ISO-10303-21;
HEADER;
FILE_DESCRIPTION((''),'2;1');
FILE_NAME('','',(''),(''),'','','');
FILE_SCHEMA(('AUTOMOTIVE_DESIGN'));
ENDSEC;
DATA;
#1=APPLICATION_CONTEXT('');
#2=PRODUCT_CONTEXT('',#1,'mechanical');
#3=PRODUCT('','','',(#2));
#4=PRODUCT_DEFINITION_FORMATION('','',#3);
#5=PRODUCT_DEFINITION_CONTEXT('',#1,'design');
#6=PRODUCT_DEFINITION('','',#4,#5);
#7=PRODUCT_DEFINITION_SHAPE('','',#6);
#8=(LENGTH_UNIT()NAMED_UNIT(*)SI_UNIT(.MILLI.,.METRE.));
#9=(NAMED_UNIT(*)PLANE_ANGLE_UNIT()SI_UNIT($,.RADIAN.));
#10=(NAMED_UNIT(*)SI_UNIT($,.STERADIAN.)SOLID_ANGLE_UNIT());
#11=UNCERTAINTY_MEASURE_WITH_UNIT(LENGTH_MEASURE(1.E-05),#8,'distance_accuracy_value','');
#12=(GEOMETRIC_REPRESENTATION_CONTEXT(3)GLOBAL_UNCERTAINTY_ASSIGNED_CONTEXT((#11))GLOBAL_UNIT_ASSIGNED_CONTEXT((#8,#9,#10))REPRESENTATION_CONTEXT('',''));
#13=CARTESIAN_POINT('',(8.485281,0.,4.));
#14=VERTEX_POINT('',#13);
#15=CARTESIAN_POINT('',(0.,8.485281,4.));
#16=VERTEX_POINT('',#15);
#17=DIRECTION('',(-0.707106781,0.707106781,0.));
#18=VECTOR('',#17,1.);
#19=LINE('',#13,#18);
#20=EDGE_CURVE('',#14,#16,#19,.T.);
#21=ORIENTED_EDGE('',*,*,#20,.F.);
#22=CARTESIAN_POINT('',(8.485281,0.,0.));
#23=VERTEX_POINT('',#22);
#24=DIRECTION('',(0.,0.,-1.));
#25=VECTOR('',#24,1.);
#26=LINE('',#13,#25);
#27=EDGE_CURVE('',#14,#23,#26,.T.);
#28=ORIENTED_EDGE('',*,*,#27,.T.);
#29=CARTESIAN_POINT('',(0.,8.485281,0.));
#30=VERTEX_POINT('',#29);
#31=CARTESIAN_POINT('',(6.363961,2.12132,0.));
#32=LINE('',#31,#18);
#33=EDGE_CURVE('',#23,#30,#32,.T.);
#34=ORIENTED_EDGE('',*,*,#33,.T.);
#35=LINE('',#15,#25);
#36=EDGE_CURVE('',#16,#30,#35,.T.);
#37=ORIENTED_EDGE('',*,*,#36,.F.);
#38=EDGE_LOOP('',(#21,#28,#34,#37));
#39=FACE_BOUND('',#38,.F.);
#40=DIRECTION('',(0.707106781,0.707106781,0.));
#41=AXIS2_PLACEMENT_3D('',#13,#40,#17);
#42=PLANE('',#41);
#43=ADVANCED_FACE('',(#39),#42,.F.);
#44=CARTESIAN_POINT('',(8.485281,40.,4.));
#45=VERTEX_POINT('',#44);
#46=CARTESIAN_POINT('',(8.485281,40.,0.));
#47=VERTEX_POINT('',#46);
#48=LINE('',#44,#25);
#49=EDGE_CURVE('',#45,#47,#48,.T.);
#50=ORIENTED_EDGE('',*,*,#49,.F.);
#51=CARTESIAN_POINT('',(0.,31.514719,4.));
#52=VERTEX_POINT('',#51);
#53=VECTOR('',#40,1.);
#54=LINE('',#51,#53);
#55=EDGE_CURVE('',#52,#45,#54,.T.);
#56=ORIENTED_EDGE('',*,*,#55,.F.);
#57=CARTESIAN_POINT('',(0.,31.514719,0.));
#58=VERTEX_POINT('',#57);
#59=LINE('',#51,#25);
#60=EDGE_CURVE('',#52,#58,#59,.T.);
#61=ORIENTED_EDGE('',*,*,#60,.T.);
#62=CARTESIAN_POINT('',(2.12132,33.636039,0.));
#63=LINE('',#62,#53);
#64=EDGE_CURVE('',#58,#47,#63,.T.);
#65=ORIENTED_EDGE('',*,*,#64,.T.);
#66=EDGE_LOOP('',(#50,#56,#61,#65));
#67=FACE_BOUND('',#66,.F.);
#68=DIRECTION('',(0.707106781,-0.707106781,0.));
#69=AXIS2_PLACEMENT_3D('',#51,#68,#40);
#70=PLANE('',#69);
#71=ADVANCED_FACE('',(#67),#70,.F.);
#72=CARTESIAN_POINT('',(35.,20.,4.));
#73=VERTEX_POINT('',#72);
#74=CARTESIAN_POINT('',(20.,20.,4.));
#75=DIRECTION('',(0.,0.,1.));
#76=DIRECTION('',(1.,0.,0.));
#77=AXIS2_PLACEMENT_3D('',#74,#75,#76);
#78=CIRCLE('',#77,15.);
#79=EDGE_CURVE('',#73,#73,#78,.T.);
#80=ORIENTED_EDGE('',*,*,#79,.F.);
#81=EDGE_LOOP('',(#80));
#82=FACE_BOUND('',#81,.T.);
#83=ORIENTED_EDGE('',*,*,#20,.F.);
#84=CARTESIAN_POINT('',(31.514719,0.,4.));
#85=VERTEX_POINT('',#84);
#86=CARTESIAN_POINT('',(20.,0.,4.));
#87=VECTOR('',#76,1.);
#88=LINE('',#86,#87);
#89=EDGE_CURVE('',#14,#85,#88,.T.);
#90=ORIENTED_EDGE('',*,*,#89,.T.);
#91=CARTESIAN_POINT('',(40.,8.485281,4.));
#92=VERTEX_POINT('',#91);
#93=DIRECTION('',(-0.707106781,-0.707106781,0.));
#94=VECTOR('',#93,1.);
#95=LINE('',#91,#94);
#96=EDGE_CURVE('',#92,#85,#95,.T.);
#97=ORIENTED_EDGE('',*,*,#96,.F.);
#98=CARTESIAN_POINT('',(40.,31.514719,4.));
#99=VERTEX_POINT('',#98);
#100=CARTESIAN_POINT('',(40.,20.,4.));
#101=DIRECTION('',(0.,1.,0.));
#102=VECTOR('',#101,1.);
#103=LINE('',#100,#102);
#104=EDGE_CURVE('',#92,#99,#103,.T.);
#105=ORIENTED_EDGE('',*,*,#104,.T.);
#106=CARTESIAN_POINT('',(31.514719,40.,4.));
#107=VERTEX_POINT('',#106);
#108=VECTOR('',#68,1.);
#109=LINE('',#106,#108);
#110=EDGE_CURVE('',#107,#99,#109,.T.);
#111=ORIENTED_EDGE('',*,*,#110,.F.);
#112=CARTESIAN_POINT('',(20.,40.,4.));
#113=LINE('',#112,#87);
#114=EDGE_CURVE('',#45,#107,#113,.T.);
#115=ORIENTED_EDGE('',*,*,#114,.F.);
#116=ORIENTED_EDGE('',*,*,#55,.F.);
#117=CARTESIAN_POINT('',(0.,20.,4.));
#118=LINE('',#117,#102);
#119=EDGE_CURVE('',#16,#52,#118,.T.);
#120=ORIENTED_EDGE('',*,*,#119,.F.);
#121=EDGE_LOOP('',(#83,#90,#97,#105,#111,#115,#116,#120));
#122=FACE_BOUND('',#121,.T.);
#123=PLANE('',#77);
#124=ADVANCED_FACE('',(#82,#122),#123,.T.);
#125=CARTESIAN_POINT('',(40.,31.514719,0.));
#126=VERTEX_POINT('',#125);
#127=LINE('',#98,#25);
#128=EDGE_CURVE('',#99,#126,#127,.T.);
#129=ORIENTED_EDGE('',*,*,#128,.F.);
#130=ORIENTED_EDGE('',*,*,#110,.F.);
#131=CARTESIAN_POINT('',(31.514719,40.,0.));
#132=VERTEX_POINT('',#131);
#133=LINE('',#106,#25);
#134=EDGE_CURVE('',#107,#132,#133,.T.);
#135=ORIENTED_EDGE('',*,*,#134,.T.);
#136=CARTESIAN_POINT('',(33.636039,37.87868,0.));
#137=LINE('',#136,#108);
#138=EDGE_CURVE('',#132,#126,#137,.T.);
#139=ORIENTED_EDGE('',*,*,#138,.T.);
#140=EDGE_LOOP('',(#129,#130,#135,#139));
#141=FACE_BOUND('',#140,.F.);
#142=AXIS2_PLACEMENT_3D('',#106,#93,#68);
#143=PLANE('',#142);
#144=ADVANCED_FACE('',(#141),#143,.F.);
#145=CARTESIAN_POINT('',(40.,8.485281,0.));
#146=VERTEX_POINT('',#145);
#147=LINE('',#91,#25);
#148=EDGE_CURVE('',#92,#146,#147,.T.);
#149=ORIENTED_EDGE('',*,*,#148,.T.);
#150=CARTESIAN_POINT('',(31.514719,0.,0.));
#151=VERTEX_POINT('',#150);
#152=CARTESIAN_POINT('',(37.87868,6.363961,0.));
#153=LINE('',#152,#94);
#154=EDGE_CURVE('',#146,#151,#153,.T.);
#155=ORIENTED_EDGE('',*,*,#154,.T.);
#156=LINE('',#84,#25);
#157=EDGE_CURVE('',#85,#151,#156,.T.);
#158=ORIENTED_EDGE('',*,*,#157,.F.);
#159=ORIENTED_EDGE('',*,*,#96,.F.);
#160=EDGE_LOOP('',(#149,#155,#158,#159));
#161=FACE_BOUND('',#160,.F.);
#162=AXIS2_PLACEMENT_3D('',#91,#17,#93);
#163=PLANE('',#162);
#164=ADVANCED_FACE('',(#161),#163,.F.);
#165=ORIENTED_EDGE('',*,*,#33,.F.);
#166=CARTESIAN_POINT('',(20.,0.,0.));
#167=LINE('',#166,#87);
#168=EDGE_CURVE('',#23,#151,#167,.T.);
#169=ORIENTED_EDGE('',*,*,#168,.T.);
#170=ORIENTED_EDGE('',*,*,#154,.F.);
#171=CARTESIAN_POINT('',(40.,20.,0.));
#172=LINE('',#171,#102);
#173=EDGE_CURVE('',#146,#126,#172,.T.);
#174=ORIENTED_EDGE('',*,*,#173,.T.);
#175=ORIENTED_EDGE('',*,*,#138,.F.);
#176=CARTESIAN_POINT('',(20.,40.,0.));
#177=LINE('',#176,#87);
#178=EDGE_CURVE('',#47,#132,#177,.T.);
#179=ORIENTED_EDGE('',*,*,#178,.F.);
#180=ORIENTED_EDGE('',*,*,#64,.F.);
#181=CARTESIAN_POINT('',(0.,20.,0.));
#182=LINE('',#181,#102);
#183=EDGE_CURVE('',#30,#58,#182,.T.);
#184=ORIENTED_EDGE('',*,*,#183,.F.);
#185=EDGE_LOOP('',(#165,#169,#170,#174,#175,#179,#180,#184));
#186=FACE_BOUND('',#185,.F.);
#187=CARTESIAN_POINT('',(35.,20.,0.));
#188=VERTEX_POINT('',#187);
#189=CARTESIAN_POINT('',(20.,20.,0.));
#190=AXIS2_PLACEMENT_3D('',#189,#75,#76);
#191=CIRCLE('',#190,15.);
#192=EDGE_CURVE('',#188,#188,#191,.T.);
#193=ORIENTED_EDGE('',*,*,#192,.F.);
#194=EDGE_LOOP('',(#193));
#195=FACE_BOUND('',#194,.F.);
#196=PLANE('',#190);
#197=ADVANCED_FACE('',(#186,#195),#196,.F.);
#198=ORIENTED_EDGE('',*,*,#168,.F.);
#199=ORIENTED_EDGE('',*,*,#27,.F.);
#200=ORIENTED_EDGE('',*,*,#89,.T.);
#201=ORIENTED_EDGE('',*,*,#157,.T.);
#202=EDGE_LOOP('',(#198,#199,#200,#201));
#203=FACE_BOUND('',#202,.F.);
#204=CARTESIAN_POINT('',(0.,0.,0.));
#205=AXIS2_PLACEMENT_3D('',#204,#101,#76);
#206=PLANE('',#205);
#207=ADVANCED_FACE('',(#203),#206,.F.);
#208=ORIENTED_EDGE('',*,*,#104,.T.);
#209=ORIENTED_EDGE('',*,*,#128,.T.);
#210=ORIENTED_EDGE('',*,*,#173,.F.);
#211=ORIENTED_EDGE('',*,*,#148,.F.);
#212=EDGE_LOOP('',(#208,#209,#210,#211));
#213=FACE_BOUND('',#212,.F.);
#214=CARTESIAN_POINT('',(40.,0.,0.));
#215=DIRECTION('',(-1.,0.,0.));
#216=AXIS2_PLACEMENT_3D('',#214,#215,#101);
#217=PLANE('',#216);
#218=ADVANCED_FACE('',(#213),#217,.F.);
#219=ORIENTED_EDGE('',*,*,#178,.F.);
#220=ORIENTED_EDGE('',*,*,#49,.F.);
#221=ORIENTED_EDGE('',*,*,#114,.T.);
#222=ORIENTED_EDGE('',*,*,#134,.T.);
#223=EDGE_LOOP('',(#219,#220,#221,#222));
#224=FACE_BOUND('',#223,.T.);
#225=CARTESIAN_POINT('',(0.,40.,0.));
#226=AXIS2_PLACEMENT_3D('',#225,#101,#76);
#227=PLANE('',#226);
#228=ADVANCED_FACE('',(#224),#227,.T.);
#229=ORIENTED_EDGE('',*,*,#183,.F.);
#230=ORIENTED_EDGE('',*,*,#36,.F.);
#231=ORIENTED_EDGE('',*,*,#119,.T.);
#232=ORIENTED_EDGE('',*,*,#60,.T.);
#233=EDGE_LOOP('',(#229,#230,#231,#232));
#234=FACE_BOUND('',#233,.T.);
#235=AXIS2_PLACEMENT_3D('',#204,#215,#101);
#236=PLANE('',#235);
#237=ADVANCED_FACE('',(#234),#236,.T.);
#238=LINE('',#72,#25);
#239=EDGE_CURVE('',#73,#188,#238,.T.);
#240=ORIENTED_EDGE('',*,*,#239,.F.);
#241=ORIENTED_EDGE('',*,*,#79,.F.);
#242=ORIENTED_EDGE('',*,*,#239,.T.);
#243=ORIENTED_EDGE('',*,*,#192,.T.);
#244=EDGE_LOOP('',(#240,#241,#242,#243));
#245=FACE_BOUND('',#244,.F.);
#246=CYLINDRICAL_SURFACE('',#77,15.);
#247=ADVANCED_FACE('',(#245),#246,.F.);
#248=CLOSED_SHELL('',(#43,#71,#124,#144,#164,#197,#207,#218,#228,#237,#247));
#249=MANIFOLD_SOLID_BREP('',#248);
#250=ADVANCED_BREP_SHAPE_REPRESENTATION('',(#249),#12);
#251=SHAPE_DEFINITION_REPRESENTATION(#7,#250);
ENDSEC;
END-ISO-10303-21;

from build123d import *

# Parameters (mm, degrees)
F0_W     = 40
F0_H     = 40
F1_DEPTH = 4
F3_DEPTH = 25
F4_R     = 15
F5_DEPTH = 25


with BuildPart() as f1:
    # F0 (on Top) → F1 (new body)
    with BuildSketch(Plane.XY):
        with Locations((20, 20)):
            Rectangle(F0_W, F0_H)
    extrude(amount=F1_DEPTH)

    # F2 (on face) → F3 (cut)
    with BuildSketch(Plane.XY.offset(4)):
        Polygon((0, 40), (0, 31.514719), (8.485281, 40), align=None)
        Polygon((40, 40), (31.514719, 40), (40, 31.514719), align=None)
        Polygon((40, 8.485281), (31.514719, 0), (40, 0), align=None)
        Polygon((8.485281, 0), (0, 8.485281), (0, 0), align=None)
    extrude(amount=-F3_DEPTH, mode=Mode.SUBTRACT)

    # F4 (on face) → F5 (cut)
    with BuildSketch(Plane.XY.offset(4)):
        with Locations((20, 20)):
            Circle(F4_R)
    extrude(amount=-F5_DEPTH, mode=Mode.SUBTRACT)


solid = f1.part
